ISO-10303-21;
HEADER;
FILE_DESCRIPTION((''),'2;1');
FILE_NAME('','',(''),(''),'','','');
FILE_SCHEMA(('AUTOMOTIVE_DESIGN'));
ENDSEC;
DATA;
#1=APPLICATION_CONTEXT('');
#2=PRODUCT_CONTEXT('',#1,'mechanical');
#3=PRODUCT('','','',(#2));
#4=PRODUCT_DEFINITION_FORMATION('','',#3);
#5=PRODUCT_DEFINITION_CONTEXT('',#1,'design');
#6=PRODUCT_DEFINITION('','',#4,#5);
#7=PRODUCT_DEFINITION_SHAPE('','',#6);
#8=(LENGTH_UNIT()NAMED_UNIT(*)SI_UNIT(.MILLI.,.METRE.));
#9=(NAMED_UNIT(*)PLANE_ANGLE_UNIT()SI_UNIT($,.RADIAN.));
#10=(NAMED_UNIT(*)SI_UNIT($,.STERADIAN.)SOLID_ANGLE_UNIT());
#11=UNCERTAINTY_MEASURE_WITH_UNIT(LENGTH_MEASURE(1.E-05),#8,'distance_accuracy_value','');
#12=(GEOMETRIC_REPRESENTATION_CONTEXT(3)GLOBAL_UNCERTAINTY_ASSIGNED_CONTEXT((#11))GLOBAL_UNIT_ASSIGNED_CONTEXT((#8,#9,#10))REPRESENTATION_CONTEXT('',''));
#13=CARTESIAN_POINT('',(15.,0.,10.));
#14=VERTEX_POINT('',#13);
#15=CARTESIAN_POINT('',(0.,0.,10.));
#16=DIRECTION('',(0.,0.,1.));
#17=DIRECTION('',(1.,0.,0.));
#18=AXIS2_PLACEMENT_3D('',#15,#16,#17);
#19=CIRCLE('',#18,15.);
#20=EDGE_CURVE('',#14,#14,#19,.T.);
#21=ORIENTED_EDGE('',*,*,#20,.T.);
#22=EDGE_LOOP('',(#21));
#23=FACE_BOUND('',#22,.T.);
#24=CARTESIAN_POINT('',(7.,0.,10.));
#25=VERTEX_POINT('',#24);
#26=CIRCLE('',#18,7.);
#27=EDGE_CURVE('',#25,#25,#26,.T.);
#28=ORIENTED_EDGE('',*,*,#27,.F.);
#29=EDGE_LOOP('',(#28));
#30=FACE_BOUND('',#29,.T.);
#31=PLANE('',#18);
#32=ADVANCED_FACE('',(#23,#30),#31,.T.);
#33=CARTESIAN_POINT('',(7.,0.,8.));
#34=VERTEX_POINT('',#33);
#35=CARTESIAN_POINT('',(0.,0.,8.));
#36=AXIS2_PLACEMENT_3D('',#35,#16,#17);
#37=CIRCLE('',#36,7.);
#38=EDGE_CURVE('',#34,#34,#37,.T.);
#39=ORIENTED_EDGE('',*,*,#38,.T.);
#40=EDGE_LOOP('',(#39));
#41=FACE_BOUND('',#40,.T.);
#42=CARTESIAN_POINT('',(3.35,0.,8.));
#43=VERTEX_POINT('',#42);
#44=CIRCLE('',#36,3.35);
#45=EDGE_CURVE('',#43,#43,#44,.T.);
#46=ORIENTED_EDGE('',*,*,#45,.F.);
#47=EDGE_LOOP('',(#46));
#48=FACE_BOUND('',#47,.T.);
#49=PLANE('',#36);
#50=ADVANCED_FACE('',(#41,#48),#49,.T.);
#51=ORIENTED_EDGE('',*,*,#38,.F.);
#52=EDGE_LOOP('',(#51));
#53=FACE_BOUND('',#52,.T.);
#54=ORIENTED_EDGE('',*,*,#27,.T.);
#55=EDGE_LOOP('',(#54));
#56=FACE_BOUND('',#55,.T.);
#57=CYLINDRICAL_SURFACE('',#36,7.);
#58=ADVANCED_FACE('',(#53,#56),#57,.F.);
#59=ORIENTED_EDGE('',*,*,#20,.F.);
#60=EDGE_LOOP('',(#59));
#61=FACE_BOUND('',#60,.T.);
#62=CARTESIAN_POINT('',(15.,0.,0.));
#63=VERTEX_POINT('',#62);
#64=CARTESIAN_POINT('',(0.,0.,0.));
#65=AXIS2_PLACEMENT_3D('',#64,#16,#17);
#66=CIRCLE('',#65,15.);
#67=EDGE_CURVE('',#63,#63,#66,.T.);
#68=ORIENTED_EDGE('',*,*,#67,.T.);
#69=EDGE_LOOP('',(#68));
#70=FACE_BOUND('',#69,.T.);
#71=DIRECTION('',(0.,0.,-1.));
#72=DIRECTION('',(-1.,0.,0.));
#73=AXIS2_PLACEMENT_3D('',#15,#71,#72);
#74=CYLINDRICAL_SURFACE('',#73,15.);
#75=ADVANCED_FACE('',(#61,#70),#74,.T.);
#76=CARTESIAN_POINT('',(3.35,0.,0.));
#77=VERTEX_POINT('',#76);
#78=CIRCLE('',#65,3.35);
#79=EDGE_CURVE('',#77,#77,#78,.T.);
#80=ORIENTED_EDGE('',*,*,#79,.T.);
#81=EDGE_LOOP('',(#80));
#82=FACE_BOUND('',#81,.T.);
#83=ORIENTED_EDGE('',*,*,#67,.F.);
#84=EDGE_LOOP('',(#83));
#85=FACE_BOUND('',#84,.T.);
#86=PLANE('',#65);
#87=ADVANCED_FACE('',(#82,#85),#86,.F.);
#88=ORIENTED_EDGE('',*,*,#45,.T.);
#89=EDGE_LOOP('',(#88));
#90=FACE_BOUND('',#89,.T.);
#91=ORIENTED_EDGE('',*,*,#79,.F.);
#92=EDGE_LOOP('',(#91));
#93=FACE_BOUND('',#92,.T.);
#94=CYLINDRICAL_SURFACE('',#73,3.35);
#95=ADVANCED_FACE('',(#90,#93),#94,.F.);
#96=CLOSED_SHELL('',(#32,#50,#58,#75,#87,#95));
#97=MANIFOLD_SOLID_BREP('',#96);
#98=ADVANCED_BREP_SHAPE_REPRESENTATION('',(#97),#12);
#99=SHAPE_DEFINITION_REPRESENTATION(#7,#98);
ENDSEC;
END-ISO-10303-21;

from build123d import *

# Parameters (mm, degrees)
SKIZZE1_R                       = 15
SKIZZE1_R_2                     = 3.35
AUFSATZ_LINEAR_AUSTRAGEN1_DEPTH = 10
SKIZZE2_R                       = 7
SCHNITT_LINEAR_AUSTRAGEN1_DEPTH = 2


with BuildPart() as part:
    # Skizze1 → Aufsatz-Linear austragen1 (new body)
    with BuildSketch(Plane.XY):
        Circle(SKIZZE1_R)
        Circle(SKIZZE1_R_2, mode=Mode.SUBTRACT)
    extrude(amount=AUFSATZ_LINEAR_AUSTRAGEN1_DEPTH)

    # Skizze2 → Schnitt-Linear austragen1 (cut)
    with BuildSketch(Plane.XY.offset(10)):
        Circle(SKIZZE2_R)
    extrude(amount=-SCHNITT_LINEAR_AUSTRAGEN1_DEPTH, mode=Mode.SUBTRACT)


solid = part.part
